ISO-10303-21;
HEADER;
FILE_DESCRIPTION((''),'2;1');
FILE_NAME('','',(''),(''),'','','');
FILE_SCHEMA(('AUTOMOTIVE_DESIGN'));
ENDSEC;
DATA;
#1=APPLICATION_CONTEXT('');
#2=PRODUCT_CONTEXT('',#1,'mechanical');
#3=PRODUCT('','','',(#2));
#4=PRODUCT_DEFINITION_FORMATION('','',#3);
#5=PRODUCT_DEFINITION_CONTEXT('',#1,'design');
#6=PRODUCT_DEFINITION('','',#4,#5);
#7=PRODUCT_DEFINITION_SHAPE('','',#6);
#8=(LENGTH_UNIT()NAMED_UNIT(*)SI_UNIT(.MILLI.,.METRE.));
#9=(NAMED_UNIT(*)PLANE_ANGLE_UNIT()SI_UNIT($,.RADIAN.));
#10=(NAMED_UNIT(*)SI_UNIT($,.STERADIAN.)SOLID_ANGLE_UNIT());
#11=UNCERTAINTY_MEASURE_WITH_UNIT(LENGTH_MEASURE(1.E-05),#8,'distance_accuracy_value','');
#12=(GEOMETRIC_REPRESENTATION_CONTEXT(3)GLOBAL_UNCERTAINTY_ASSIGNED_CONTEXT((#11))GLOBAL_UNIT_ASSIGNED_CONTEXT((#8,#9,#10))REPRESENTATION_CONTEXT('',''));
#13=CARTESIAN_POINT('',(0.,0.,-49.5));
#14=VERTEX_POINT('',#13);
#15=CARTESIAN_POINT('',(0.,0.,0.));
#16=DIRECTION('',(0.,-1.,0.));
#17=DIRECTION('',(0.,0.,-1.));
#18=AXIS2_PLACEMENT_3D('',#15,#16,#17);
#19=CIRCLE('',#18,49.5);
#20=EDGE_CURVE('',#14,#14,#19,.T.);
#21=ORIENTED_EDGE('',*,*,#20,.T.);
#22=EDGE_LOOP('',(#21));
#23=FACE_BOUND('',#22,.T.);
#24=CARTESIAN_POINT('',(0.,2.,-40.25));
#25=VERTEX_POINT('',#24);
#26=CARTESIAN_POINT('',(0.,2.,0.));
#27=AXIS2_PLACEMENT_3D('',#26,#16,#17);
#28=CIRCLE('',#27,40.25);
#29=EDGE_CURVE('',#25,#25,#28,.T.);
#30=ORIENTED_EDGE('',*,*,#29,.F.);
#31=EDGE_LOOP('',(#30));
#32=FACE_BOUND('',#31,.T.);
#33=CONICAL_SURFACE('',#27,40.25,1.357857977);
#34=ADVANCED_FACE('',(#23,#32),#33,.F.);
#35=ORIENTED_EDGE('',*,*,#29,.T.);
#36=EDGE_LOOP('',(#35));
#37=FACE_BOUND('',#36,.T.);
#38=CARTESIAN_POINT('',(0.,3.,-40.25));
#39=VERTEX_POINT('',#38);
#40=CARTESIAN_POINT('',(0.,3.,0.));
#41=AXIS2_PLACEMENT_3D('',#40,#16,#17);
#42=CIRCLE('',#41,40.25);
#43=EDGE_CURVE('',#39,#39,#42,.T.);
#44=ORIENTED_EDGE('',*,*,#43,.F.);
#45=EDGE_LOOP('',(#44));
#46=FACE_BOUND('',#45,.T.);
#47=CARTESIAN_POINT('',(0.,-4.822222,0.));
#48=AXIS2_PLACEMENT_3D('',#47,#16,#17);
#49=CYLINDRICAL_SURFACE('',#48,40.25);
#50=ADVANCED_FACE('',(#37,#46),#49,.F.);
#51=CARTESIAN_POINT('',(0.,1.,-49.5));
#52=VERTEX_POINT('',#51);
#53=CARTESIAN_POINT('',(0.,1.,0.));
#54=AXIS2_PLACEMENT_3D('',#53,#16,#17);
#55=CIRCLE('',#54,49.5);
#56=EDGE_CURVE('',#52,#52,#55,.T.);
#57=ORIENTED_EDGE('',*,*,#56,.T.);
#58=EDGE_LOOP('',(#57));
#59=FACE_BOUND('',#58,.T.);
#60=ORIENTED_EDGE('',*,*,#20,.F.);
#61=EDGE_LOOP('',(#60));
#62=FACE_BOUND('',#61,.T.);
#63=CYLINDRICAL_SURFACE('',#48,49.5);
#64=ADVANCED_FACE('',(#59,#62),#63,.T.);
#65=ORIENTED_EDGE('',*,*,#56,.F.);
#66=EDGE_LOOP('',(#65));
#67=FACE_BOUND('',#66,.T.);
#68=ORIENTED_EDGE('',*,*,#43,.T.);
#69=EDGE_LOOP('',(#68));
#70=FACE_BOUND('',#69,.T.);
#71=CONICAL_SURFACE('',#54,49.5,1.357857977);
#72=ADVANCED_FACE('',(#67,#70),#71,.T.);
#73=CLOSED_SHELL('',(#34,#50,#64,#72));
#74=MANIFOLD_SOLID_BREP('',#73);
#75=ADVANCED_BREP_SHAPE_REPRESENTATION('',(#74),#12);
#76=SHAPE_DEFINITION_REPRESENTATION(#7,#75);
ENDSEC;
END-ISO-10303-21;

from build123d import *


with BuildPart() as part:
    # Esboço1 → Revolução1 (revolve)
    with BuildSketch(Plane.XY, mode=Mode.PRIVATE) as revolu_o1_sk:
        Polygon((49.5, 0), (49.5, 1), (40.25, 3), (40.25, 2), align=None)
    revolve(revolu_o1_sk.sketch.rotate(Axis((0, -4.822222222, 0), (0, 1, 0)), 90), axis=Axis((0, -4.822222222, 0), (0, 1, 0)))


solid = part.part
